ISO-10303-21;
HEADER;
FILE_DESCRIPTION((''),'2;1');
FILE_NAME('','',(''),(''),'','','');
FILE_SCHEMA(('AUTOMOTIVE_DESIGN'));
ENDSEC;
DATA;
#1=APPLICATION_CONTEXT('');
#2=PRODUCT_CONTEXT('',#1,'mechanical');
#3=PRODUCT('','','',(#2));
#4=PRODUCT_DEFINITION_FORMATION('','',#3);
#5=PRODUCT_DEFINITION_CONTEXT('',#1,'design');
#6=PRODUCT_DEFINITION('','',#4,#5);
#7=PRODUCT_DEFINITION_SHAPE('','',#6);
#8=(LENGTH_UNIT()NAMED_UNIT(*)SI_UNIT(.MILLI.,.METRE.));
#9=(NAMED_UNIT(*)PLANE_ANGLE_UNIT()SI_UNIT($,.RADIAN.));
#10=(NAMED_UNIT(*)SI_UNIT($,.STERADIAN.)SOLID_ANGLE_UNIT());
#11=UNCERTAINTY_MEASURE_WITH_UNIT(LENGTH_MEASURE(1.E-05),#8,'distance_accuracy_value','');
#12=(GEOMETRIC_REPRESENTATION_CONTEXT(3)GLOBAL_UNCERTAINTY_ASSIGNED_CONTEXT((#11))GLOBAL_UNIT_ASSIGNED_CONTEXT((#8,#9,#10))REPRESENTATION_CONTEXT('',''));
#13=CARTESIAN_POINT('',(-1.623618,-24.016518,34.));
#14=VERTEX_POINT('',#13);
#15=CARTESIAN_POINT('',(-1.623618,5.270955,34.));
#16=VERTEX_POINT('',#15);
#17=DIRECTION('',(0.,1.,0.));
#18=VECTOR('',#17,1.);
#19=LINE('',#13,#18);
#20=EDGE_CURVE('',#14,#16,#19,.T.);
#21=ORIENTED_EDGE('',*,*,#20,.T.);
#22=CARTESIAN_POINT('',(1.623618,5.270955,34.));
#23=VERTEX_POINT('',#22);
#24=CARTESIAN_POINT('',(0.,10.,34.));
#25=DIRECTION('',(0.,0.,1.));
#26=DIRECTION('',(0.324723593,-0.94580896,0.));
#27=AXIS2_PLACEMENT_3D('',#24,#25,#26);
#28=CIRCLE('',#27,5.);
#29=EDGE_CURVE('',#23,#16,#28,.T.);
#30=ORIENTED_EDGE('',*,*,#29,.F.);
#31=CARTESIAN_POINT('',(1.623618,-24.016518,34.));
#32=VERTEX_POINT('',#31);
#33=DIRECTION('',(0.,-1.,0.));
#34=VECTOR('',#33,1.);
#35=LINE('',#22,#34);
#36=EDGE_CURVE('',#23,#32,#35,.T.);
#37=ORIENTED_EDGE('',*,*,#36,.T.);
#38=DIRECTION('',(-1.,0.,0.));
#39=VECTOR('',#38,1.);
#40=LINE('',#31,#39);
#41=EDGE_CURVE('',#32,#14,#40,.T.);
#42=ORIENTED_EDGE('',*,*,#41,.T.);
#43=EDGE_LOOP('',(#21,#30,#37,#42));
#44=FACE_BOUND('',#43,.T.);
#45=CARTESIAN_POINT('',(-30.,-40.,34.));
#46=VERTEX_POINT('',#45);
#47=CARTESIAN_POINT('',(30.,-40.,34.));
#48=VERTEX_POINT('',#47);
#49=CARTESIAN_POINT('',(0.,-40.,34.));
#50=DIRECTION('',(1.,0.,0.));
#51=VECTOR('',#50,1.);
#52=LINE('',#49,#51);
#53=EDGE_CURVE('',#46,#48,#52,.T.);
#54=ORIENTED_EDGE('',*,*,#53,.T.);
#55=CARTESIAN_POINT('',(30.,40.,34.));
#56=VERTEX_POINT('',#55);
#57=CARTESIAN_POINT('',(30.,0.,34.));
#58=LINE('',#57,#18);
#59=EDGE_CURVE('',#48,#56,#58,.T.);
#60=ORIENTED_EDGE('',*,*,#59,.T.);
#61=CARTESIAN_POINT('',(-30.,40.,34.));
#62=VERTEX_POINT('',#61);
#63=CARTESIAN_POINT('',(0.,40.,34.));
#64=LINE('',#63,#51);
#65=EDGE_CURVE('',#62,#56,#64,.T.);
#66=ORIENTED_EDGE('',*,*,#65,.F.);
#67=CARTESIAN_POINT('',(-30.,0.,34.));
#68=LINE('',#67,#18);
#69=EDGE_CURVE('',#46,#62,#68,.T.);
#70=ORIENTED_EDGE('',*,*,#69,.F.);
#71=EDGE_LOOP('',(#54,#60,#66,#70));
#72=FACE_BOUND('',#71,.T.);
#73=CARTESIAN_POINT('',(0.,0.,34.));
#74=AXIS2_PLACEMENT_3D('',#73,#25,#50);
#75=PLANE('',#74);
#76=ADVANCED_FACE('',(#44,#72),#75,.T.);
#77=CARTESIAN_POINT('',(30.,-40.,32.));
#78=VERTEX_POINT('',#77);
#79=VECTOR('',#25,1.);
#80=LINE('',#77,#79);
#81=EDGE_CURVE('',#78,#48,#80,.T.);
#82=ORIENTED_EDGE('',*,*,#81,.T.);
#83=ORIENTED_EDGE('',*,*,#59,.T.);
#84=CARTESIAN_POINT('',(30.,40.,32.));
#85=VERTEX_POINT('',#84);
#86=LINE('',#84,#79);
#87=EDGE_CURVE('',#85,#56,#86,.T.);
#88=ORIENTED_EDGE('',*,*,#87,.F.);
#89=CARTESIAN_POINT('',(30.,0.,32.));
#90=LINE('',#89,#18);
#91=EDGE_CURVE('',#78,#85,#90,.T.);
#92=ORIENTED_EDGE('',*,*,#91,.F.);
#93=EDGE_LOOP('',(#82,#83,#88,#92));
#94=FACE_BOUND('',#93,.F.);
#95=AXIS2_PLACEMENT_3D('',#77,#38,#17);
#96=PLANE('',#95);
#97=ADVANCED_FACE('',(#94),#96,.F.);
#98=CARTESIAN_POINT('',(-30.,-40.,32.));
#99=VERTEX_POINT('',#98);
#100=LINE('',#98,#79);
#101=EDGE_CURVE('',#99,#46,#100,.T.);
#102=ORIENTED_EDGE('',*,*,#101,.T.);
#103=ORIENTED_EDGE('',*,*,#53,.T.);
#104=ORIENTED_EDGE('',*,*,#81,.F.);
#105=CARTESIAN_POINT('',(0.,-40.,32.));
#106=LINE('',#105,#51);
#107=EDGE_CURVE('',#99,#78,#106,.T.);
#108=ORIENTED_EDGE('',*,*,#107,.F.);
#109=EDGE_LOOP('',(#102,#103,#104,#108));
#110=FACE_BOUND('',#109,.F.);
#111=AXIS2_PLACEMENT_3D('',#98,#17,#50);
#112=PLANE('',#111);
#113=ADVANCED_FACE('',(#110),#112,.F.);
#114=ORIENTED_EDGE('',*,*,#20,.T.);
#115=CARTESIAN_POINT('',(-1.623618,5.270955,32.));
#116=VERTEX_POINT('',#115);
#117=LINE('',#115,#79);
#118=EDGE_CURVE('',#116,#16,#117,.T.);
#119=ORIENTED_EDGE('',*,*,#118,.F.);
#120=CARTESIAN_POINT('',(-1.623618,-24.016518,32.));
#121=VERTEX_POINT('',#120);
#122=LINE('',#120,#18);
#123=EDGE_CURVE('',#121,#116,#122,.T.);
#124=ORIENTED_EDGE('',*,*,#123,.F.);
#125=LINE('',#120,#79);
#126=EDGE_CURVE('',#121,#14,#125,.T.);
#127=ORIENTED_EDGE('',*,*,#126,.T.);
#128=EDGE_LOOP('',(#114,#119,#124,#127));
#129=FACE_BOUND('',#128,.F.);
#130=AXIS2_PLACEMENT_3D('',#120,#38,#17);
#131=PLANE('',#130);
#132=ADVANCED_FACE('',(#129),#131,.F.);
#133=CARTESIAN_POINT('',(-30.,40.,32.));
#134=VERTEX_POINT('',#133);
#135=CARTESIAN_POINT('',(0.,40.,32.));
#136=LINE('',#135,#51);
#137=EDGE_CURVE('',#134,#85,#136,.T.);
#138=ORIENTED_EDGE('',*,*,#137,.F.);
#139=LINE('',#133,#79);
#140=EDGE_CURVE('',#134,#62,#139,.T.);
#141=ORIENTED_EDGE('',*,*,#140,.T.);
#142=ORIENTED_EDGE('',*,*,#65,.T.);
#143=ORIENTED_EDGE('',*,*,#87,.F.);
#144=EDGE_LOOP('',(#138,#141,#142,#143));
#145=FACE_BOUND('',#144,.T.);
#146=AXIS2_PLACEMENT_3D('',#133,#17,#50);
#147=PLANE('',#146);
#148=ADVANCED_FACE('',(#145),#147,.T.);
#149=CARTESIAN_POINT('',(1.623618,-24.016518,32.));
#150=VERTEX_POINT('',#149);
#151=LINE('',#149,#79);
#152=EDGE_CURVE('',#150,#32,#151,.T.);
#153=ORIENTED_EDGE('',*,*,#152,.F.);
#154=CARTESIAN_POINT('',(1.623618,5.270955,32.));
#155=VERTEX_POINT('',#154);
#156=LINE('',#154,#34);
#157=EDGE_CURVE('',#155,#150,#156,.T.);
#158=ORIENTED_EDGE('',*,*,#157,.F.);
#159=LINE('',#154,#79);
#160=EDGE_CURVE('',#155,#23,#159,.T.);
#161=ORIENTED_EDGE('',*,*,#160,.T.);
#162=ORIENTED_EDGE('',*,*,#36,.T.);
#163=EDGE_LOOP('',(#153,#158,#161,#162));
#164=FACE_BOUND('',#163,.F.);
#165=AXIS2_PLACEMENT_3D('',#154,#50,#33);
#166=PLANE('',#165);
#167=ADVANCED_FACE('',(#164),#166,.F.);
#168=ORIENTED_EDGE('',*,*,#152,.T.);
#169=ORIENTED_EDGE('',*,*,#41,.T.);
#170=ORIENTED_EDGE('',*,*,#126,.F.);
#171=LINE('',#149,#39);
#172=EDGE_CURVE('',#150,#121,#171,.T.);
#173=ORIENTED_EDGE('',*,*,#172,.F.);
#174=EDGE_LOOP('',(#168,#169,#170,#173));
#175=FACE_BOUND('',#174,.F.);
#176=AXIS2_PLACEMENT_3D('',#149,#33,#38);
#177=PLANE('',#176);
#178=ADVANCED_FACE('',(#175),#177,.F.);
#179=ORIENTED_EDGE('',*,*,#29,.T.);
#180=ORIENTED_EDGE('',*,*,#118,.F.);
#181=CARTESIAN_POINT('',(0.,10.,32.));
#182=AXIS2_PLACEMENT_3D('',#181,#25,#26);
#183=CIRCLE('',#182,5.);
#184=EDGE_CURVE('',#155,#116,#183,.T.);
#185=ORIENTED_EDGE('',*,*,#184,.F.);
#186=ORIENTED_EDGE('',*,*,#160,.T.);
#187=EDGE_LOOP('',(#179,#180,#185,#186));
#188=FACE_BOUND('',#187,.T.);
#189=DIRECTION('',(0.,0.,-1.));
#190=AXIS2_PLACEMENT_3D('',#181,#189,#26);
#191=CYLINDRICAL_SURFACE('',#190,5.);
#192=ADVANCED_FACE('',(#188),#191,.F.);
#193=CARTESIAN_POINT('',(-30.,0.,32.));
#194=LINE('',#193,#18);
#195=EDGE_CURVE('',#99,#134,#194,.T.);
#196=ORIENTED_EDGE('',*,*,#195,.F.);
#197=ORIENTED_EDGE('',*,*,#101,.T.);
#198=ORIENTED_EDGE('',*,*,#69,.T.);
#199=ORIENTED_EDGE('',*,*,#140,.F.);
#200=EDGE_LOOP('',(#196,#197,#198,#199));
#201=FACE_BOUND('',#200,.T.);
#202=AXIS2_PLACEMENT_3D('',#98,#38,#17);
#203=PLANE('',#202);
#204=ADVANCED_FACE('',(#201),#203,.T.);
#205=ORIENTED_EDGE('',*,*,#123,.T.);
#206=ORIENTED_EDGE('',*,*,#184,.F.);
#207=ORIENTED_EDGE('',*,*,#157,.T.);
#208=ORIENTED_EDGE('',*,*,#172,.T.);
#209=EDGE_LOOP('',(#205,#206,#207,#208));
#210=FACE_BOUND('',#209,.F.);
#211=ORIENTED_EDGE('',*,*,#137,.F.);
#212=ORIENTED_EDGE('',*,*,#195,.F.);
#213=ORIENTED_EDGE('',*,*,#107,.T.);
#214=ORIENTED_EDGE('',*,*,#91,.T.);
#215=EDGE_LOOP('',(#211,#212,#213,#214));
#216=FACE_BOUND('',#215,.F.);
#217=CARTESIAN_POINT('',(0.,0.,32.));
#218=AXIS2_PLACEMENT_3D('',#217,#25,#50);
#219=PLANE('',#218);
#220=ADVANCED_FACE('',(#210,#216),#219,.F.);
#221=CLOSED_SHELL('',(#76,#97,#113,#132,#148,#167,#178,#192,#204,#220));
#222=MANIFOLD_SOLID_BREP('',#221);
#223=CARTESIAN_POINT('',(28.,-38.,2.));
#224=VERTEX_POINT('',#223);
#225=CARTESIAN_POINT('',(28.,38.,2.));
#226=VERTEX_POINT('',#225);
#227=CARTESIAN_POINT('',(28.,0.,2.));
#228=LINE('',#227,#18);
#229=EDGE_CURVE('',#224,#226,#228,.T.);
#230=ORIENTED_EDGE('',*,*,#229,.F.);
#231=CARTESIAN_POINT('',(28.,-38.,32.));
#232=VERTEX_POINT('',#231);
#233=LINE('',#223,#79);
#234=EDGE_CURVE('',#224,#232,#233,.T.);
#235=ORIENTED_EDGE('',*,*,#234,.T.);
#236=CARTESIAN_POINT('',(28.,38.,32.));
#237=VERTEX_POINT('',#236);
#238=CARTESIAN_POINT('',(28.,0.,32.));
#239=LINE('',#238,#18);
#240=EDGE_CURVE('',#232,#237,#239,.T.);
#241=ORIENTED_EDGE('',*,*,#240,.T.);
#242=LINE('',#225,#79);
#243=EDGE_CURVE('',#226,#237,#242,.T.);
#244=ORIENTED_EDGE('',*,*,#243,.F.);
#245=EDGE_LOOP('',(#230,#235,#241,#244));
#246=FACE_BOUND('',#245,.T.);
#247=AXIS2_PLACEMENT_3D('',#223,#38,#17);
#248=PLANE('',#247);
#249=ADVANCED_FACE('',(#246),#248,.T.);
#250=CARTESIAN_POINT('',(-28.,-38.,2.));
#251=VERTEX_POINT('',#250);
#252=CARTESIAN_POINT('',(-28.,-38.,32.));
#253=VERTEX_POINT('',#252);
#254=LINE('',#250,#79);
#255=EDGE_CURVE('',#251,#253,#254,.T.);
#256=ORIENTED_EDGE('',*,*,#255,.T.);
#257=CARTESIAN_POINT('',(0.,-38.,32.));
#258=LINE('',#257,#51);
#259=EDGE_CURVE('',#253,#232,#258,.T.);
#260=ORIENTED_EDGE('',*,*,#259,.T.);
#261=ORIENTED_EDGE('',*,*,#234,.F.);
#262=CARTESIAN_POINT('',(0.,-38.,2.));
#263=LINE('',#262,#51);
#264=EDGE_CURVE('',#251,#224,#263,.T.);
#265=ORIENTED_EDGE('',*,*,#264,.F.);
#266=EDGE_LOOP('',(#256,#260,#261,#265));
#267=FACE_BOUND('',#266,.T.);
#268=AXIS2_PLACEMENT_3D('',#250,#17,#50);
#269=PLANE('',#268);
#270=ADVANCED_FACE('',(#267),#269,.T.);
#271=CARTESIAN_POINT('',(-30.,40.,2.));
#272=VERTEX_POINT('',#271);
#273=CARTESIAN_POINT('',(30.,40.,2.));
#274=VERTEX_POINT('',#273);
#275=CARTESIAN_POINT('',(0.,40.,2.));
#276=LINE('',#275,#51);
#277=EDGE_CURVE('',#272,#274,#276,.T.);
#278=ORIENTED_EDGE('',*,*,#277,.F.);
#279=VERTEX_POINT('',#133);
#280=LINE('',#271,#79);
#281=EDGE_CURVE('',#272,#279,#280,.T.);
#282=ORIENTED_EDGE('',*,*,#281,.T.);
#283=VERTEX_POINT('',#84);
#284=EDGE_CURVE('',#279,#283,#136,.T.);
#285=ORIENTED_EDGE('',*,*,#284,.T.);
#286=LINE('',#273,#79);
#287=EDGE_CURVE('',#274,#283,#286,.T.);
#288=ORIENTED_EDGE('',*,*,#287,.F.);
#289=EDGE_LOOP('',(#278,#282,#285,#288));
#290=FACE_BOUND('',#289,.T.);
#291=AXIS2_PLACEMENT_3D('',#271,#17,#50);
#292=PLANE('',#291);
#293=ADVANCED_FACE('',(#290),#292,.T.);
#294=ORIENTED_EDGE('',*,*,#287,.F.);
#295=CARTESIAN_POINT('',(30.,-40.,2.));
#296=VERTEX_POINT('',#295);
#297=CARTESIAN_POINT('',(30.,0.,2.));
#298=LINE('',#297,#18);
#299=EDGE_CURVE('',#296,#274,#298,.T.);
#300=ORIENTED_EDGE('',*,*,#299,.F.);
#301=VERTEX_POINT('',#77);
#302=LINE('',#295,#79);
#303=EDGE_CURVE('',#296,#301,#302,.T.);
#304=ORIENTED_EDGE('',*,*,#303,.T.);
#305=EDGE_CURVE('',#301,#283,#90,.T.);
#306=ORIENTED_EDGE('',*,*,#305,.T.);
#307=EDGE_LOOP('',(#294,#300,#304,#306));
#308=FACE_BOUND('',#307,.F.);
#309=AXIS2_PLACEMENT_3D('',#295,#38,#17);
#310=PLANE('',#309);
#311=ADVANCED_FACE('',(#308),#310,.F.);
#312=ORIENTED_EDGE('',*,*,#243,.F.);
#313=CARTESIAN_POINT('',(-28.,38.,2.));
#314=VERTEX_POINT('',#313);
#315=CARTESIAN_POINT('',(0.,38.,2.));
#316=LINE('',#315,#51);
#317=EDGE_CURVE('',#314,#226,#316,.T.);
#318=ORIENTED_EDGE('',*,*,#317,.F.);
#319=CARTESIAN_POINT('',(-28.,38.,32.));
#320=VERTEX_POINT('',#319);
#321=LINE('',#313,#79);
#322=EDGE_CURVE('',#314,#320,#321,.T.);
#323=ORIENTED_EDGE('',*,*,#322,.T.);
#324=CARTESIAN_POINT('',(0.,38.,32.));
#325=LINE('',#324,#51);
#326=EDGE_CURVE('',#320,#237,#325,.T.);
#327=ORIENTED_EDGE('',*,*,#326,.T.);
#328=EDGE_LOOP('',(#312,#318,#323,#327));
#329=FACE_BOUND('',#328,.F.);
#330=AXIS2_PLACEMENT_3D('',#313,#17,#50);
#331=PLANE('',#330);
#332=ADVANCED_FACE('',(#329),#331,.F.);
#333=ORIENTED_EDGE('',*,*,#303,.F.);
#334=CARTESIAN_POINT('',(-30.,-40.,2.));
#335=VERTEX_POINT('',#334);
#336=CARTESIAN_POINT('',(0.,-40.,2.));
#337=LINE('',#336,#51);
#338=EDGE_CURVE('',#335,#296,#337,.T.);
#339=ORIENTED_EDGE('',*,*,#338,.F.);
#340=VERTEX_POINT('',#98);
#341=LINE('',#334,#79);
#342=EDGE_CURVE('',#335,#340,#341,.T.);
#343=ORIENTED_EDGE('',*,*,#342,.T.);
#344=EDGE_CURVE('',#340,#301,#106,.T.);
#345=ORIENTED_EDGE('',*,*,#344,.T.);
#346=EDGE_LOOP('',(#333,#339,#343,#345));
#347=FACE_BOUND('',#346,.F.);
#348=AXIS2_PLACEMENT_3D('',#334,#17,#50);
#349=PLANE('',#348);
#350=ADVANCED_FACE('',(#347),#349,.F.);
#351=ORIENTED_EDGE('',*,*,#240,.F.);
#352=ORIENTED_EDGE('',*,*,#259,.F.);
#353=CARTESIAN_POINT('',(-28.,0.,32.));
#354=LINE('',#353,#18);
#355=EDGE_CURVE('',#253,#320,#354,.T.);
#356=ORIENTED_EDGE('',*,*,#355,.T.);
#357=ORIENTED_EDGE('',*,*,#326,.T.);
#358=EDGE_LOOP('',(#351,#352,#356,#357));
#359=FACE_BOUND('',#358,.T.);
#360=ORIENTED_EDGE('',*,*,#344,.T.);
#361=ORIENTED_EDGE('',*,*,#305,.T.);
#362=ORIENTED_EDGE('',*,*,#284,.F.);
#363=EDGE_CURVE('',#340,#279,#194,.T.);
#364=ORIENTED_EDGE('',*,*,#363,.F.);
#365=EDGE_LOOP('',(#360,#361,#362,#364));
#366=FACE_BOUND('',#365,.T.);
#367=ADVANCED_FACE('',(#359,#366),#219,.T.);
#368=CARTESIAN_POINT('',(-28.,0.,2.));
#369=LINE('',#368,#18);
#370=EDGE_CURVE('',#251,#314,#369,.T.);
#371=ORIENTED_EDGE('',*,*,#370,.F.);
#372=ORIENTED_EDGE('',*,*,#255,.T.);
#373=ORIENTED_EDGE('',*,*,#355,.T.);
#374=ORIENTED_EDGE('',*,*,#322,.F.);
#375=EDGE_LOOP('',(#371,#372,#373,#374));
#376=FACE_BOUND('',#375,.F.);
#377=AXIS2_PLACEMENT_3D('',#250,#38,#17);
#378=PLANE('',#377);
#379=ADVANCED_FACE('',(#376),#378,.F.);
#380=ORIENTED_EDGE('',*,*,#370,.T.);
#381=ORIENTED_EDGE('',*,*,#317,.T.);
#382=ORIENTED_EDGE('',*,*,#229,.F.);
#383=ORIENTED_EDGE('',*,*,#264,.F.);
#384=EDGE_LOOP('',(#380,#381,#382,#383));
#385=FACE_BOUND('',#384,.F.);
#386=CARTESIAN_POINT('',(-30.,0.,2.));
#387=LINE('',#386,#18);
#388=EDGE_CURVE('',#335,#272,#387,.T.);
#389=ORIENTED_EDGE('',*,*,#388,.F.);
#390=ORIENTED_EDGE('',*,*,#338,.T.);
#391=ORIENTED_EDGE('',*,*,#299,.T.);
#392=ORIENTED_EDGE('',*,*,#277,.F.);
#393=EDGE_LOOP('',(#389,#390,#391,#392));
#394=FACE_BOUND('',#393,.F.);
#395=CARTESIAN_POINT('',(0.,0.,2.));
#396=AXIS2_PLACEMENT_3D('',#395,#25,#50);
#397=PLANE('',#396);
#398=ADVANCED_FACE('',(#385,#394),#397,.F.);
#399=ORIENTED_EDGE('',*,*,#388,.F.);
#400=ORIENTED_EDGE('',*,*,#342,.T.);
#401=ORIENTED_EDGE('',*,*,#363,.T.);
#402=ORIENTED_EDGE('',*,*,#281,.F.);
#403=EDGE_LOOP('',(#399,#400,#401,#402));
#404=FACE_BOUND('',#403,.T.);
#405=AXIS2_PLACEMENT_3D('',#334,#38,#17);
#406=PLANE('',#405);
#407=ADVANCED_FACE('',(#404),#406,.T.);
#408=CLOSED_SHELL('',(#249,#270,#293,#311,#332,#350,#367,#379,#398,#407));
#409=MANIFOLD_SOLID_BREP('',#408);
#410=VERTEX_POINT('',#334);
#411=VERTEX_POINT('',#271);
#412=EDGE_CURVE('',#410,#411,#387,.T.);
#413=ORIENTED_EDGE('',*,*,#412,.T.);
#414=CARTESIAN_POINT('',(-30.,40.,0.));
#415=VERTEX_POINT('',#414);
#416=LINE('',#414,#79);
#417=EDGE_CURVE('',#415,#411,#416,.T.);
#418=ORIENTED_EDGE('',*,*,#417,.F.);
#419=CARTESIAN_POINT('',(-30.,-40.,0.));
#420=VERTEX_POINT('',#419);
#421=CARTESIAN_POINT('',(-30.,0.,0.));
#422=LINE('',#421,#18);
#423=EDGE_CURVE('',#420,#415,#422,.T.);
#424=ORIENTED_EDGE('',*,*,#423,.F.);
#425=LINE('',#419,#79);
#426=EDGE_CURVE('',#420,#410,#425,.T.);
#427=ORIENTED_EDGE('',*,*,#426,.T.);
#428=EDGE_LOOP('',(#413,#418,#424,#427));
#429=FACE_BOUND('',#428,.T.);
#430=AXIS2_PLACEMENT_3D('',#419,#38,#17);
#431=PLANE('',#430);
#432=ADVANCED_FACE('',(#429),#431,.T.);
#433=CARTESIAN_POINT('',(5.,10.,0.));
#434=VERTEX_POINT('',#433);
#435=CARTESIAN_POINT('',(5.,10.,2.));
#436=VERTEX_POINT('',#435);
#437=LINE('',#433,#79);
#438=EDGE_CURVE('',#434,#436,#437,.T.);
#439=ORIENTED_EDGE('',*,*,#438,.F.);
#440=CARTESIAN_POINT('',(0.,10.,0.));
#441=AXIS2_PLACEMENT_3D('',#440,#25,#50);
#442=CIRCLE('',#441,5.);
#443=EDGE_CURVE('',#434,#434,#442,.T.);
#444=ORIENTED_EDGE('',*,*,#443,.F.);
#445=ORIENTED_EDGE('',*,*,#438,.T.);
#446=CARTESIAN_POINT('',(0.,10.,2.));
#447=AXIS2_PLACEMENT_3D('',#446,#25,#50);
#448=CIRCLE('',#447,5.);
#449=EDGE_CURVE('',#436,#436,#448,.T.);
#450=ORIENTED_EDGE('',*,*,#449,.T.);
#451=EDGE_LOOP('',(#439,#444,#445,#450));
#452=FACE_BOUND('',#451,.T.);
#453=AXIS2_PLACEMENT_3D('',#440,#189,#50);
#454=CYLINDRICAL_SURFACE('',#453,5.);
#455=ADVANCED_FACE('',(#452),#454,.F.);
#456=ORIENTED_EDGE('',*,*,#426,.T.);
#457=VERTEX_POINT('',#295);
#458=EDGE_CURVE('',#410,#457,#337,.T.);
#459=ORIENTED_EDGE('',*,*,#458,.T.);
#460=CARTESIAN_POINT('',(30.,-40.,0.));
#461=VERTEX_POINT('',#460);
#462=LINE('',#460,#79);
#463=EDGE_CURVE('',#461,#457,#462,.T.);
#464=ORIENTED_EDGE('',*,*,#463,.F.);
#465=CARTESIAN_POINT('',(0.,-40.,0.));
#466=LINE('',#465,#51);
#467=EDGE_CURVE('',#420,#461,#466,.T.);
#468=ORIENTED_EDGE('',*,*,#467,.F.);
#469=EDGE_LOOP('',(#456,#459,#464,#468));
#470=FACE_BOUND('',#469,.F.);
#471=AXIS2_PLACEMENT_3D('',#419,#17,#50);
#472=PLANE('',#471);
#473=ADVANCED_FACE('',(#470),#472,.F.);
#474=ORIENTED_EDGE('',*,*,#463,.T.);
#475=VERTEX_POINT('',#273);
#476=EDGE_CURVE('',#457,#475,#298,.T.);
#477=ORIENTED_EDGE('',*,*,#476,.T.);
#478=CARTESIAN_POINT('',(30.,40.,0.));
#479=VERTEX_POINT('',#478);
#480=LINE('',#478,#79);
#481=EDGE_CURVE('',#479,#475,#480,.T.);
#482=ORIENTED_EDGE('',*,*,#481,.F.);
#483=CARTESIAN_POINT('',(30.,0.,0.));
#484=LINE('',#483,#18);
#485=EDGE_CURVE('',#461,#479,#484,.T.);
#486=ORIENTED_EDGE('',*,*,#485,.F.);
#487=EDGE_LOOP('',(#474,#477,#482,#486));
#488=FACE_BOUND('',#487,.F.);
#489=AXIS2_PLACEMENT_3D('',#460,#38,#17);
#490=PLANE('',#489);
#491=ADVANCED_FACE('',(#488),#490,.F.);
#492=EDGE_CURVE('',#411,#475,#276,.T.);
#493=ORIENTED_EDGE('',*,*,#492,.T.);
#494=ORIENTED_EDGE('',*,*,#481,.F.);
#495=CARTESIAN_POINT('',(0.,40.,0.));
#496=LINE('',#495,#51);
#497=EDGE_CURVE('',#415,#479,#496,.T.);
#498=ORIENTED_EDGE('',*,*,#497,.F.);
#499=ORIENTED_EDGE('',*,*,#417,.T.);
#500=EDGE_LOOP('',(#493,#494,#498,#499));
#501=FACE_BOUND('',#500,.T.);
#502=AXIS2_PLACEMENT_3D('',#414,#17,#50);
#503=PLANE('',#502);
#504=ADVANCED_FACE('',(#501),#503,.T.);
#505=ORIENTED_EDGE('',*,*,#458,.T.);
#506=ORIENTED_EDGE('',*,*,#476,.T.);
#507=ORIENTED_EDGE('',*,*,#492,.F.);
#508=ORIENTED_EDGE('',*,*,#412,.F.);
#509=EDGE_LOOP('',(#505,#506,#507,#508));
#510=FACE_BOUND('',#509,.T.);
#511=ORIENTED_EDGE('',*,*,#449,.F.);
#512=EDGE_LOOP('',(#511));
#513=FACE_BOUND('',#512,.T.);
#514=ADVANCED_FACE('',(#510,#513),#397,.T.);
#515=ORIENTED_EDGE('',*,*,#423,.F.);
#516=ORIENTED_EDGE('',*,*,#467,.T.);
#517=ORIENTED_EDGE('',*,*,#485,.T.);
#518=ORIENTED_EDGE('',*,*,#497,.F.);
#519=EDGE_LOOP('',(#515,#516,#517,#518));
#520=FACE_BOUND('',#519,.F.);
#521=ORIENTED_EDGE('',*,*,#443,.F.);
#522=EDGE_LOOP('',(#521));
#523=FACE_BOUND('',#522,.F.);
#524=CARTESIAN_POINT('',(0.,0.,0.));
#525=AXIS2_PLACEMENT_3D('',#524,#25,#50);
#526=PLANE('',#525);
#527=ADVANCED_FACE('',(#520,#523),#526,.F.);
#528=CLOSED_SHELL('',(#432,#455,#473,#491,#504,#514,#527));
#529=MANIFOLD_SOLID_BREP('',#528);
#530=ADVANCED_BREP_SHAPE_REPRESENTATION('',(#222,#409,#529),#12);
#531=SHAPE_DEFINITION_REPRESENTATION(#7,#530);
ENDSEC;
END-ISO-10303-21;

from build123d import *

# Parameters (mm, degrees)
SKETCH_W      = 60
SKETCH_H      = 80
SKETCH_R      = 5
PAD_DEPTH     = 2
SKETCH001_W   = 60
SKETCH001_H   = 80
SKETCH001_W_2 = 56
SKETCH001_H_2 = 76
PAD001_DEPTH  = 30
SKETCH002_W   = 60
SKETCH002_H   = 80
PAD002_DEPTH  = 2


with BuildPart() as back_plate:
    # Sketch → Pad (new body)
    with BuildSketch(Plane.XY):
        Rectangle(SKETCH_W, SKETCH_H)
        with Locations((0, 10)):
            Circle(SKETCH_R, mode=Mode.SUBTRACT)
    extrude(amount=PAD_DEPTH)


with BuildPart() as sides:
    # Sketch001 → Pad001 (new body)
    with BuildSketch(Plane.XY.offset(2)):
        Rectangle(SKETCH001_W, SKETCH001_H)
        Rectangle(SKETCH001_W_2, SKETCH001_H_2, mode=Mode.SUBTRACT)
    extrude(amount=PAD001_DEPTH)


with BuildPart() as front_plate:
    # Sketch002 → Pad002 (new body)
    with BuildSketch(Plane.XY.offset(32)):
        Rectangle(SKETCH002_W, SKETCH002_H)
        with BuildLine():
            ThreePointArc((1.623618, 5.270955), (0, 15), (-1.623618, 5.270955))
            Line((-1.623618, -24.016518), (-1.623618, 5.270955))
            Line((1.623618, -24.016518), (-1.623618, -24.016518))
            Line((1.623618, 5.270955), (1.623618, -24.016518))
        make_face(mode=Mode.SUBTRACT)
    extrude(amount=PAD002_DEPTH)


solid = Compound([back_plate.part, sides.part, front_plate.part])
